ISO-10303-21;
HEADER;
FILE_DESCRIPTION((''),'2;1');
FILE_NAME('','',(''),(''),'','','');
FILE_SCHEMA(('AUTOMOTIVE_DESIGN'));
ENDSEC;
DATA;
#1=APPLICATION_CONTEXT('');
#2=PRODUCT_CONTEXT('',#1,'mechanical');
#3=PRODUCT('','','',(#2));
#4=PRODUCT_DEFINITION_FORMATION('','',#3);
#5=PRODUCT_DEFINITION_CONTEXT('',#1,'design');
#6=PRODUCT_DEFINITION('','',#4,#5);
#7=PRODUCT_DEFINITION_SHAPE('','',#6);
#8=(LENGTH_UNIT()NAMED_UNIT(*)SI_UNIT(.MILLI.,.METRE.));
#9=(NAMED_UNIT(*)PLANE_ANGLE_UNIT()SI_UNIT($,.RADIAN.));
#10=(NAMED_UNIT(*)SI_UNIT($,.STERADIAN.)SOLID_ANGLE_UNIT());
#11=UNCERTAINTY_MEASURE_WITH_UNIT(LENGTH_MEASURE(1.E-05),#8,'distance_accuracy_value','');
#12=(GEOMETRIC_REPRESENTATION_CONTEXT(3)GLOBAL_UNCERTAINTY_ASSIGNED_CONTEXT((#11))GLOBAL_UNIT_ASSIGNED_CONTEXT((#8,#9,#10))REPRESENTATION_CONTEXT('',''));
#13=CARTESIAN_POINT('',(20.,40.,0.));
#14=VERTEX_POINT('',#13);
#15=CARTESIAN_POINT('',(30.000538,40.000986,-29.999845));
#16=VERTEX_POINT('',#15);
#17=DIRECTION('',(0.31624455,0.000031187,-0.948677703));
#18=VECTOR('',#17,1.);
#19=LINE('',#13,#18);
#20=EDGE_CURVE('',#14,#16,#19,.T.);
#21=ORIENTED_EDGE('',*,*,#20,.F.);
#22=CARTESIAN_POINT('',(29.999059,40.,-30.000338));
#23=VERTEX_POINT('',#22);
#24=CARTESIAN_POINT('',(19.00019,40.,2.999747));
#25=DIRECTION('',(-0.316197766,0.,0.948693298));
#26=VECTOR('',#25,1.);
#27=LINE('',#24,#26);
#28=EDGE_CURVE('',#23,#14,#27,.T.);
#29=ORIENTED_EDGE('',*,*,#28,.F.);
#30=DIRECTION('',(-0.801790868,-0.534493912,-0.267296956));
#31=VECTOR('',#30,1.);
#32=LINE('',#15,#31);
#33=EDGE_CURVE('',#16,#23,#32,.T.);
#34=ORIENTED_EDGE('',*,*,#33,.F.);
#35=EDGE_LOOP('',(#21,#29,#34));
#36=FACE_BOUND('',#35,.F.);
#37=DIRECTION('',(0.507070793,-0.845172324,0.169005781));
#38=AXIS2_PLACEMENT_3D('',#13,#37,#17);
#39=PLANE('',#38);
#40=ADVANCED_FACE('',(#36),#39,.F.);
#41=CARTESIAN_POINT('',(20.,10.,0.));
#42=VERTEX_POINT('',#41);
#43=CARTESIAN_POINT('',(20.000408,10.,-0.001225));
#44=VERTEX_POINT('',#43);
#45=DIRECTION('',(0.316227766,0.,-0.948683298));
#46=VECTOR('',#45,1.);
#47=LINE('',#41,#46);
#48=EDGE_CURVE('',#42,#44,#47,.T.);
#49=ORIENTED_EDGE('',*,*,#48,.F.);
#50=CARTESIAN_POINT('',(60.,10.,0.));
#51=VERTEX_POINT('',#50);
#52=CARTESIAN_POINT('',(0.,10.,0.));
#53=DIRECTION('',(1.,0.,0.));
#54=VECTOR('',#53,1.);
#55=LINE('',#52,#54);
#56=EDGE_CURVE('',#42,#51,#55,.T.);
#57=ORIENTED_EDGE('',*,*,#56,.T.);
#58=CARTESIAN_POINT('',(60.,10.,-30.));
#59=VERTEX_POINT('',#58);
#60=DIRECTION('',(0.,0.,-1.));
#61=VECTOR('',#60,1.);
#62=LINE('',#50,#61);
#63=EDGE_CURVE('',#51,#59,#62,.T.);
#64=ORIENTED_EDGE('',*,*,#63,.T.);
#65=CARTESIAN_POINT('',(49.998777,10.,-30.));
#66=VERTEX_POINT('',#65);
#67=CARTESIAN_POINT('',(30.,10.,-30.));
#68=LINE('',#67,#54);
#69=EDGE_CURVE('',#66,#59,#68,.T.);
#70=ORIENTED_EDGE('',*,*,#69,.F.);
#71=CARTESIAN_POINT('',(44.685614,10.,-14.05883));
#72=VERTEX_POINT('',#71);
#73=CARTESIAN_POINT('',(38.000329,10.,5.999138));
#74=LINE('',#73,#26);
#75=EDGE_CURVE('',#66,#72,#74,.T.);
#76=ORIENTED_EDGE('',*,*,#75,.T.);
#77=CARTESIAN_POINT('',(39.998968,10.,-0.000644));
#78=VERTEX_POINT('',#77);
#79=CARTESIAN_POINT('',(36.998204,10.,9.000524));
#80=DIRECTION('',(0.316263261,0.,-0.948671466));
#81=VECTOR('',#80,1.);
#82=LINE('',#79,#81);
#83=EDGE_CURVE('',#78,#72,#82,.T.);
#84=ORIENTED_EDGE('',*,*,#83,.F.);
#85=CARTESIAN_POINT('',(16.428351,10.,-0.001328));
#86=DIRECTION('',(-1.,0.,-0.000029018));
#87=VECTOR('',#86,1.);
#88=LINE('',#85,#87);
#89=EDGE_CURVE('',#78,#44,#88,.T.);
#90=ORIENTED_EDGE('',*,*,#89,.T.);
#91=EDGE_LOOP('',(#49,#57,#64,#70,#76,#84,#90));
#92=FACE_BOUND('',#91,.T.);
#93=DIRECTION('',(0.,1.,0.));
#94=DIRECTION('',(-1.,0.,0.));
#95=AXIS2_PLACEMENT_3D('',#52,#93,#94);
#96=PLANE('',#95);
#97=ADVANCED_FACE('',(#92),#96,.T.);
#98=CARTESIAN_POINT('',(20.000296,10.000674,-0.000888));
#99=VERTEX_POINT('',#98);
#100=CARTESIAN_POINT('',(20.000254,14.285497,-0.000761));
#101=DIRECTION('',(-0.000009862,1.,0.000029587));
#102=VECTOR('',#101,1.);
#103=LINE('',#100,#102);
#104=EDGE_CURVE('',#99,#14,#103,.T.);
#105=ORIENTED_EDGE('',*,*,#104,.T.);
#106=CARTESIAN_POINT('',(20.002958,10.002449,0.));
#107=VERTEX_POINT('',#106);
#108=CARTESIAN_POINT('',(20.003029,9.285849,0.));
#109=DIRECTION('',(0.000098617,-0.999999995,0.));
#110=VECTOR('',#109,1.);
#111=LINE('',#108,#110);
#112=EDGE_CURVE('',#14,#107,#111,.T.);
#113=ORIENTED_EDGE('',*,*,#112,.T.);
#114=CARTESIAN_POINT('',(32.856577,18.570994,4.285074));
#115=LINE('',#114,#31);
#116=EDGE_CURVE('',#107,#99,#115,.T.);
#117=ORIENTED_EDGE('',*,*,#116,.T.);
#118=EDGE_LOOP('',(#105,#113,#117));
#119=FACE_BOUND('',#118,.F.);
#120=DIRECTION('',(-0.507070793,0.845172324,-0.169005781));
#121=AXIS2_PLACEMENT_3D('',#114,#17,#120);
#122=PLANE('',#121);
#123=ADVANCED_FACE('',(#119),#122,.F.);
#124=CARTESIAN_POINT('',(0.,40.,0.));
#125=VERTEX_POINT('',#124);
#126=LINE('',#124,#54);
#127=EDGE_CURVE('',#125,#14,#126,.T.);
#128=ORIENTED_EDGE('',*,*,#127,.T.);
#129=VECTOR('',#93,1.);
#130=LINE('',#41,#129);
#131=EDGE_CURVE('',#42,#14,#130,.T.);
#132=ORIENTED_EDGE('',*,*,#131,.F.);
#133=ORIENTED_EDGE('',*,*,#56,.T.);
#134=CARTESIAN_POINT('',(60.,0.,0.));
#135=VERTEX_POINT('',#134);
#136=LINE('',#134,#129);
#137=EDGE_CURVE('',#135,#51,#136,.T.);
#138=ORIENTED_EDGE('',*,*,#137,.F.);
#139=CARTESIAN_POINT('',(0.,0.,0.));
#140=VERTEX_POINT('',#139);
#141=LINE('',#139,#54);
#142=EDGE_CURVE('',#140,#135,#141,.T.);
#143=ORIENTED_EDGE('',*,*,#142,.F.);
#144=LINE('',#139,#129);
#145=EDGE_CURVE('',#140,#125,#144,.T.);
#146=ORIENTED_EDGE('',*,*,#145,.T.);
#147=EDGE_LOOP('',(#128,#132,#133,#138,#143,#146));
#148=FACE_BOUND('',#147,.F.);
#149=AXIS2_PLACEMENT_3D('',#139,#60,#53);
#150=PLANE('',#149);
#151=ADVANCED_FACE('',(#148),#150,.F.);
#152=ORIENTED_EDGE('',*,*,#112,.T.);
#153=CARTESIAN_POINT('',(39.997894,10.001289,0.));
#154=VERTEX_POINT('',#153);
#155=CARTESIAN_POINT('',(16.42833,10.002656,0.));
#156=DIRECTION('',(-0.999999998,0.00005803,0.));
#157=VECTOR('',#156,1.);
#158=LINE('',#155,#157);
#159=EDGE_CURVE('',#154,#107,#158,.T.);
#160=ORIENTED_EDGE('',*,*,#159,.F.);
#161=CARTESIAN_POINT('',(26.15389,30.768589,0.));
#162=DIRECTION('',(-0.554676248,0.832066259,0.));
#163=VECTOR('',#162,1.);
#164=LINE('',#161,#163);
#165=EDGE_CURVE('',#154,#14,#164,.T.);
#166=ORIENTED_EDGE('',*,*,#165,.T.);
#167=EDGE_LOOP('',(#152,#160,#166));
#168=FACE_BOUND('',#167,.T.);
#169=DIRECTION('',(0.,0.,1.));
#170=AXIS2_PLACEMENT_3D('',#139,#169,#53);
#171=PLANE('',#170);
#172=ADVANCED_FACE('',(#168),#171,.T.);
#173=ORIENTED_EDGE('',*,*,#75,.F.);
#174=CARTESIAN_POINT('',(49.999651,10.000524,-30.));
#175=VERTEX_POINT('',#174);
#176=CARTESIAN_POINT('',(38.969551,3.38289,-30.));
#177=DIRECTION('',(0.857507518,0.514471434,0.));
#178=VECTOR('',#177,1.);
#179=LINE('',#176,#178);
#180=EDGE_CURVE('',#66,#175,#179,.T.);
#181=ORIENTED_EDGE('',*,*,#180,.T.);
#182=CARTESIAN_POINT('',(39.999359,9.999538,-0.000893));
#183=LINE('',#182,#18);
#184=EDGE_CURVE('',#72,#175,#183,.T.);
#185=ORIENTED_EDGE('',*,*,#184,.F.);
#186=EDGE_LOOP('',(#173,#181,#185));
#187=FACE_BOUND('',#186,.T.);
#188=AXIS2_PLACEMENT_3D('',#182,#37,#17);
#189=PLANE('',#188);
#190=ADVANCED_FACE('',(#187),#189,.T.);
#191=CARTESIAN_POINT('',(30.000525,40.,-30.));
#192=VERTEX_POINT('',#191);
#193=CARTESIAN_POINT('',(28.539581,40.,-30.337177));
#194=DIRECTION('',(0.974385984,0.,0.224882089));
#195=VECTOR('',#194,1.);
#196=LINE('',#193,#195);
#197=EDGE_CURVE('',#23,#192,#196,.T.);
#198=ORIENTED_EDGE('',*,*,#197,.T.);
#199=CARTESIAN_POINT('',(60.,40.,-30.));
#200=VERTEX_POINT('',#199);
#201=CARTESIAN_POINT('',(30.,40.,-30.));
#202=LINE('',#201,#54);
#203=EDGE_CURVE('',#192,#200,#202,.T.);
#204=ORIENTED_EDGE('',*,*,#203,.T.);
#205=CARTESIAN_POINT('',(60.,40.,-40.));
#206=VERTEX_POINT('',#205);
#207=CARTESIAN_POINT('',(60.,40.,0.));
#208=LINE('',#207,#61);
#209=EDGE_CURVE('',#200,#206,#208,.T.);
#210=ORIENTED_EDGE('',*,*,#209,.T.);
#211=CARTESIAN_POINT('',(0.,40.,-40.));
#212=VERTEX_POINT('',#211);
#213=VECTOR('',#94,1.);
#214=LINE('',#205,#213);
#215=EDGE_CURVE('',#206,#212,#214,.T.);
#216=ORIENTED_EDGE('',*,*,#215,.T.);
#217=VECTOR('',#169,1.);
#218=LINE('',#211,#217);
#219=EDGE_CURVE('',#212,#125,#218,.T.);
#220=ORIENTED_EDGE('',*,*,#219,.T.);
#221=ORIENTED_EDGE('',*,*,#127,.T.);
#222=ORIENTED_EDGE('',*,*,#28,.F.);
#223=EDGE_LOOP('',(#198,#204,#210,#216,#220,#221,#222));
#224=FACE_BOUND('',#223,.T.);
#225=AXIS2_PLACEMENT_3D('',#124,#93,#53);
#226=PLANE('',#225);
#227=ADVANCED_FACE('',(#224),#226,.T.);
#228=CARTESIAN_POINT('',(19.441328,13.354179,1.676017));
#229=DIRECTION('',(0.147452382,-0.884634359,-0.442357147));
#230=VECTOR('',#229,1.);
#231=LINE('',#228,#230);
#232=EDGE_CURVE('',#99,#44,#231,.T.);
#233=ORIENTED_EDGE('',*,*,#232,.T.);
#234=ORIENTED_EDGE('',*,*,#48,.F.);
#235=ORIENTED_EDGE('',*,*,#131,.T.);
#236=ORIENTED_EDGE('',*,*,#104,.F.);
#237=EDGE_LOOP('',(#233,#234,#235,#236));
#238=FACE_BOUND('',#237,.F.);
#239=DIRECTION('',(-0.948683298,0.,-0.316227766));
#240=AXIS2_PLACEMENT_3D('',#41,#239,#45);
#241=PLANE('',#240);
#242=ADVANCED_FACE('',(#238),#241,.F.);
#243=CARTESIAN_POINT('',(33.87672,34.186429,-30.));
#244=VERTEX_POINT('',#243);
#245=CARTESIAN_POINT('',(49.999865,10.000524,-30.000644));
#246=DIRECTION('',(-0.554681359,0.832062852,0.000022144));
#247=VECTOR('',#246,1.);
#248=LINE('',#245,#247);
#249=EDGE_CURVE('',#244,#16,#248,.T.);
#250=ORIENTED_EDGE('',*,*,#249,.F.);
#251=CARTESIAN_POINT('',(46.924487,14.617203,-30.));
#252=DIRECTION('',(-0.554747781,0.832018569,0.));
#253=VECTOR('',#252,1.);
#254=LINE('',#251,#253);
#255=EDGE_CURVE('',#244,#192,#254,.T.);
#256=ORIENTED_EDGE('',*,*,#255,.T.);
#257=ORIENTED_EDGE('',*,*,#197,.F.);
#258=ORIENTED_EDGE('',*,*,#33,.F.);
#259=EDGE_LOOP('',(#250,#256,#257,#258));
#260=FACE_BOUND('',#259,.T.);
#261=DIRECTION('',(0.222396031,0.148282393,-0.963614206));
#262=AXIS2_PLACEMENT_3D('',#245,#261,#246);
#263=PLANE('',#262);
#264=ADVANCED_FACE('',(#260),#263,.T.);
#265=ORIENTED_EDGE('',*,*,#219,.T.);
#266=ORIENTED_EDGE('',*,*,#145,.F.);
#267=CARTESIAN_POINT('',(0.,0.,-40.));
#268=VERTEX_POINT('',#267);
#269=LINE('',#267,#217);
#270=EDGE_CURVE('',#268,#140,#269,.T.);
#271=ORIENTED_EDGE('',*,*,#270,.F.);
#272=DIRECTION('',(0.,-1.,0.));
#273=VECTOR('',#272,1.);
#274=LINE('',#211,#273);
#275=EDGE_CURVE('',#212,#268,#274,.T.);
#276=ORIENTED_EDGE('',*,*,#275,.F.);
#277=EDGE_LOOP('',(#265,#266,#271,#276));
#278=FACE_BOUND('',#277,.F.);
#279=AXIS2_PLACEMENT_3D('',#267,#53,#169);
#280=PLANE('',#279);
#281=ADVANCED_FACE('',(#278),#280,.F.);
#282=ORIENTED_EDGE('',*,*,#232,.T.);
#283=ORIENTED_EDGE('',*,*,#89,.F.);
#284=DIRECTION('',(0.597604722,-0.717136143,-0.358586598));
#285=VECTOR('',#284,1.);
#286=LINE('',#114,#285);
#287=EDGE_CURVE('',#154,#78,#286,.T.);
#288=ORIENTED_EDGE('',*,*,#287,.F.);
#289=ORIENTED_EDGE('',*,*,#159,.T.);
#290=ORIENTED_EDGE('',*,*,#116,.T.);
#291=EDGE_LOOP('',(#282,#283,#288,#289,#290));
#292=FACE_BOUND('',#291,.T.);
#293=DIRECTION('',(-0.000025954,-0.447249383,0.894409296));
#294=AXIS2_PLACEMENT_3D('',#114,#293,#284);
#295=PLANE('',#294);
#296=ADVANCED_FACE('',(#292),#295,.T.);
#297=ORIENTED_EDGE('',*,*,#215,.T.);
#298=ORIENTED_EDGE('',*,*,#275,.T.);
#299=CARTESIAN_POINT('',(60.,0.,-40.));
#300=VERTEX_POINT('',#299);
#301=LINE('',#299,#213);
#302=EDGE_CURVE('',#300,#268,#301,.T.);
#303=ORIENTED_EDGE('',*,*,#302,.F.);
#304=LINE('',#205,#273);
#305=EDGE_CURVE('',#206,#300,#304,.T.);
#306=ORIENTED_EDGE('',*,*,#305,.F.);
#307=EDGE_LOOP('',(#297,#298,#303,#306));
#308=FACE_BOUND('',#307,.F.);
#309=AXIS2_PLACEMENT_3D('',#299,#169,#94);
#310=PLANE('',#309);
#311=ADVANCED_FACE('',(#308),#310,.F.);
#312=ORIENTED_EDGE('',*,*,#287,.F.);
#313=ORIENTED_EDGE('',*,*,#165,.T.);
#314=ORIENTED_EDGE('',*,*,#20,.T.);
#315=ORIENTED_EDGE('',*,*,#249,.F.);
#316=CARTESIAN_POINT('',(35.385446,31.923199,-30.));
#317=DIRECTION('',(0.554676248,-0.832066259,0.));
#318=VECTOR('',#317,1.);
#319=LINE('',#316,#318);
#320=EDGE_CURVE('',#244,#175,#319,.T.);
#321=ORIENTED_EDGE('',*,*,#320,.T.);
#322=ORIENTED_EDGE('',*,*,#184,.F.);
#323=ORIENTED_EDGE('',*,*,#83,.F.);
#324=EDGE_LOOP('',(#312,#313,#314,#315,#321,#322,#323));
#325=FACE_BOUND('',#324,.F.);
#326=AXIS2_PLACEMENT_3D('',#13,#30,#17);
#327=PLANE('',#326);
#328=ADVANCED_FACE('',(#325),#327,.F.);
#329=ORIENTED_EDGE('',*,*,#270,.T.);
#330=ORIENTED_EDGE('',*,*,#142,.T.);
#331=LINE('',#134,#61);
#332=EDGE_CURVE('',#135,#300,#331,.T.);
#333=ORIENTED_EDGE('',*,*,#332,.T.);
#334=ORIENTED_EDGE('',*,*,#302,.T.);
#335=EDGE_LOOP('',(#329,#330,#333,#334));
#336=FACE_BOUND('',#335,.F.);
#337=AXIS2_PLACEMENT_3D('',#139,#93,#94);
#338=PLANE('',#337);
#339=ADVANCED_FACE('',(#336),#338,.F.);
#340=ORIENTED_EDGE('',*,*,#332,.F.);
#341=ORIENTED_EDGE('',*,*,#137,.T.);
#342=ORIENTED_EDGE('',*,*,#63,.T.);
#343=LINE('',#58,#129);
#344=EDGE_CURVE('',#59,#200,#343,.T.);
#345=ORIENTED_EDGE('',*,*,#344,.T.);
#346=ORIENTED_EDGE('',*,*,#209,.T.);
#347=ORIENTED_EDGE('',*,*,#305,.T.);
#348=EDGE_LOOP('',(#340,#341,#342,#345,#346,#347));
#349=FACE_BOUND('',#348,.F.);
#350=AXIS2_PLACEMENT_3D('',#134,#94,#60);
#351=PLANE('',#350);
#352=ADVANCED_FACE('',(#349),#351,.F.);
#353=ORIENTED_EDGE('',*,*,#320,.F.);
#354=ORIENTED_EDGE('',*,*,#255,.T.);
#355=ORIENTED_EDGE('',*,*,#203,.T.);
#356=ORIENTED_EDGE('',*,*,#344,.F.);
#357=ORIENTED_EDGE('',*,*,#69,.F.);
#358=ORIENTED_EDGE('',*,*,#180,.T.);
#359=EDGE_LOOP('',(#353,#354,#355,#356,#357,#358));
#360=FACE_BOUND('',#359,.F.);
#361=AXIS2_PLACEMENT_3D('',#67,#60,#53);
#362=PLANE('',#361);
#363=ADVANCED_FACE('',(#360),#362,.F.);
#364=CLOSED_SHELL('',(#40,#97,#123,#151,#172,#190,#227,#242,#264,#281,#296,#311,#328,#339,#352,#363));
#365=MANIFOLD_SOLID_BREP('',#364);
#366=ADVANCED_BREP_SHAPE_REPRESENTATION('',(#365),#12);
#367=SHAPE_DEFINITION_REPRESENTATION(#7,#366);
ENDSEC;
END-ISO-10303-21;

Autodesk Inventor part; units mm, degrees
ref_plane "YZ Plane" through (0, 0, 0) normal (1, 0, 0) x (0, 1, 0)
ref_plane "XZ Plane" through (0, 0, 0) normal (0, 1, 0) x (-1, 0, 0)
sketch "草圖1" plane through (0, 0, 0) normal (0, 1, 0) x (-1, 0, 0)
  line L0 (0, 0) -> (-60, 0)
  line L1 (-60, 0) -> (-60, -40)
  line L2 (-60, -40) -> (0, -40)
  line L3 (0, -40) -> (0, 0)
  dimension "d0" = 40
  dimension "d1" = 60
extrude "擠出1" add sketch "草圖1" along normal blind 10
sketch "草圖2" plane through (0, 10, 0) normal (0, 1, 0) x (1, 0, 0)
  line L0 (0, 0) -> (60, 0) projected
  line L1 (20, 0) -> (30, 30)
  line L2 (30, 30) -> (60, 30)
  line L3 (60, 0) -> (60, 40) projected
  line L4 (60, 30) -> (60, 40)
  line L5 (60, 40) -> (0, 40) projected
  line L6 (60, 40) -> (0, 40)
  line L7 (0, 40) -> (0, 0)
  line L8 (20, 0) -> (0, 0)
  dimension "d4" = 10
  dimension "d5" = 30
  dimension "d6" = 30
extrude "擠出2" add sketch "草圖2" along normal blind 30 contours L7 L5 L3 L2 L1 L0
sketch "草圖3" plane through (0, 10, 0) normal (0, 1, 0) x (1, 0, 0)
  line L0 (0, 0) -> (60, 0) projected
  line L1 (40, 0) -> (50, 30)
  line L2 (30, 30) -> (60, 30) projected
  dimension "d9" = 10
  dimension "d10" = 20
ref_plane "工作平面1" through (20, 40, 0) normal (-0.8018, -0.5345, -0.2673) x (0.3162, 0, -0.9487)
sketch "草圖4" plane through (20, 40, 0) normal (-0.8018, -0.5345, -0.2673) x (0.3162, 0, -0.9487)
  line L0 (31.6228, 25.3546) -> (0, 25.3546) projected
  line L1 (31.6228, 25.3546) -> (31.6228, 0) projected
  line L2 (0, 0) -> (31.6228, 0) projected
  line L3 (0, 25.3546) -> (0, 0) projected
  line L4 (41.1096, 40.5674) -> (31.6228, 25.3546) projected
  line L5 (31.6228, 25.3546) -> (0, 25.3546) projected
  line L6 (0, 25.3546) -> (12.6491, 45.6383) projected
  line L7 (12.6491, 45.6383) -> (41.1096, 40.5674) projected
  line L8 (6.3246, 35.4965) -> (37.9473, 35.4965) projected
  line L9 (37.9473, 35.4965) -> (31.6228, 0)
  line L10 (31.6228, 0) -> (41.1096, 15.2128) projected
  line L11 (31.6228, 0) -> (31.6228, 25.3546)
  line L12 (37.9473, 35.4965) -> (31.6228, 25.3546)
  point P0 (-6.3246, 23.6643)
extrude "擠出3" add sketch "草圖4" along normal up to next contours L1 L2 L3 L0 | L4 L9 L1 | L0 L6 L8 L4
sketch "草圖5" plane through (0, 0, 0) normal (0, 0, 1) x (1, 0, 0)
  line L0 (-0.672, 48.4854) -> (66.1118, 48.4854)
  line L1 (66.1118, 48.4854) -> (66.1118, -3.1014)
  line L2 (66.1118, -3.1014) -> (-0.672, -3.1014)
  line L3 (-0.672, -3.1014) -> (-0.672, 48.4854)
  point P0 (0, 0)
extrude "擠出4" cut sketch "草圖5" along normal blind 30
properties part number "49"
